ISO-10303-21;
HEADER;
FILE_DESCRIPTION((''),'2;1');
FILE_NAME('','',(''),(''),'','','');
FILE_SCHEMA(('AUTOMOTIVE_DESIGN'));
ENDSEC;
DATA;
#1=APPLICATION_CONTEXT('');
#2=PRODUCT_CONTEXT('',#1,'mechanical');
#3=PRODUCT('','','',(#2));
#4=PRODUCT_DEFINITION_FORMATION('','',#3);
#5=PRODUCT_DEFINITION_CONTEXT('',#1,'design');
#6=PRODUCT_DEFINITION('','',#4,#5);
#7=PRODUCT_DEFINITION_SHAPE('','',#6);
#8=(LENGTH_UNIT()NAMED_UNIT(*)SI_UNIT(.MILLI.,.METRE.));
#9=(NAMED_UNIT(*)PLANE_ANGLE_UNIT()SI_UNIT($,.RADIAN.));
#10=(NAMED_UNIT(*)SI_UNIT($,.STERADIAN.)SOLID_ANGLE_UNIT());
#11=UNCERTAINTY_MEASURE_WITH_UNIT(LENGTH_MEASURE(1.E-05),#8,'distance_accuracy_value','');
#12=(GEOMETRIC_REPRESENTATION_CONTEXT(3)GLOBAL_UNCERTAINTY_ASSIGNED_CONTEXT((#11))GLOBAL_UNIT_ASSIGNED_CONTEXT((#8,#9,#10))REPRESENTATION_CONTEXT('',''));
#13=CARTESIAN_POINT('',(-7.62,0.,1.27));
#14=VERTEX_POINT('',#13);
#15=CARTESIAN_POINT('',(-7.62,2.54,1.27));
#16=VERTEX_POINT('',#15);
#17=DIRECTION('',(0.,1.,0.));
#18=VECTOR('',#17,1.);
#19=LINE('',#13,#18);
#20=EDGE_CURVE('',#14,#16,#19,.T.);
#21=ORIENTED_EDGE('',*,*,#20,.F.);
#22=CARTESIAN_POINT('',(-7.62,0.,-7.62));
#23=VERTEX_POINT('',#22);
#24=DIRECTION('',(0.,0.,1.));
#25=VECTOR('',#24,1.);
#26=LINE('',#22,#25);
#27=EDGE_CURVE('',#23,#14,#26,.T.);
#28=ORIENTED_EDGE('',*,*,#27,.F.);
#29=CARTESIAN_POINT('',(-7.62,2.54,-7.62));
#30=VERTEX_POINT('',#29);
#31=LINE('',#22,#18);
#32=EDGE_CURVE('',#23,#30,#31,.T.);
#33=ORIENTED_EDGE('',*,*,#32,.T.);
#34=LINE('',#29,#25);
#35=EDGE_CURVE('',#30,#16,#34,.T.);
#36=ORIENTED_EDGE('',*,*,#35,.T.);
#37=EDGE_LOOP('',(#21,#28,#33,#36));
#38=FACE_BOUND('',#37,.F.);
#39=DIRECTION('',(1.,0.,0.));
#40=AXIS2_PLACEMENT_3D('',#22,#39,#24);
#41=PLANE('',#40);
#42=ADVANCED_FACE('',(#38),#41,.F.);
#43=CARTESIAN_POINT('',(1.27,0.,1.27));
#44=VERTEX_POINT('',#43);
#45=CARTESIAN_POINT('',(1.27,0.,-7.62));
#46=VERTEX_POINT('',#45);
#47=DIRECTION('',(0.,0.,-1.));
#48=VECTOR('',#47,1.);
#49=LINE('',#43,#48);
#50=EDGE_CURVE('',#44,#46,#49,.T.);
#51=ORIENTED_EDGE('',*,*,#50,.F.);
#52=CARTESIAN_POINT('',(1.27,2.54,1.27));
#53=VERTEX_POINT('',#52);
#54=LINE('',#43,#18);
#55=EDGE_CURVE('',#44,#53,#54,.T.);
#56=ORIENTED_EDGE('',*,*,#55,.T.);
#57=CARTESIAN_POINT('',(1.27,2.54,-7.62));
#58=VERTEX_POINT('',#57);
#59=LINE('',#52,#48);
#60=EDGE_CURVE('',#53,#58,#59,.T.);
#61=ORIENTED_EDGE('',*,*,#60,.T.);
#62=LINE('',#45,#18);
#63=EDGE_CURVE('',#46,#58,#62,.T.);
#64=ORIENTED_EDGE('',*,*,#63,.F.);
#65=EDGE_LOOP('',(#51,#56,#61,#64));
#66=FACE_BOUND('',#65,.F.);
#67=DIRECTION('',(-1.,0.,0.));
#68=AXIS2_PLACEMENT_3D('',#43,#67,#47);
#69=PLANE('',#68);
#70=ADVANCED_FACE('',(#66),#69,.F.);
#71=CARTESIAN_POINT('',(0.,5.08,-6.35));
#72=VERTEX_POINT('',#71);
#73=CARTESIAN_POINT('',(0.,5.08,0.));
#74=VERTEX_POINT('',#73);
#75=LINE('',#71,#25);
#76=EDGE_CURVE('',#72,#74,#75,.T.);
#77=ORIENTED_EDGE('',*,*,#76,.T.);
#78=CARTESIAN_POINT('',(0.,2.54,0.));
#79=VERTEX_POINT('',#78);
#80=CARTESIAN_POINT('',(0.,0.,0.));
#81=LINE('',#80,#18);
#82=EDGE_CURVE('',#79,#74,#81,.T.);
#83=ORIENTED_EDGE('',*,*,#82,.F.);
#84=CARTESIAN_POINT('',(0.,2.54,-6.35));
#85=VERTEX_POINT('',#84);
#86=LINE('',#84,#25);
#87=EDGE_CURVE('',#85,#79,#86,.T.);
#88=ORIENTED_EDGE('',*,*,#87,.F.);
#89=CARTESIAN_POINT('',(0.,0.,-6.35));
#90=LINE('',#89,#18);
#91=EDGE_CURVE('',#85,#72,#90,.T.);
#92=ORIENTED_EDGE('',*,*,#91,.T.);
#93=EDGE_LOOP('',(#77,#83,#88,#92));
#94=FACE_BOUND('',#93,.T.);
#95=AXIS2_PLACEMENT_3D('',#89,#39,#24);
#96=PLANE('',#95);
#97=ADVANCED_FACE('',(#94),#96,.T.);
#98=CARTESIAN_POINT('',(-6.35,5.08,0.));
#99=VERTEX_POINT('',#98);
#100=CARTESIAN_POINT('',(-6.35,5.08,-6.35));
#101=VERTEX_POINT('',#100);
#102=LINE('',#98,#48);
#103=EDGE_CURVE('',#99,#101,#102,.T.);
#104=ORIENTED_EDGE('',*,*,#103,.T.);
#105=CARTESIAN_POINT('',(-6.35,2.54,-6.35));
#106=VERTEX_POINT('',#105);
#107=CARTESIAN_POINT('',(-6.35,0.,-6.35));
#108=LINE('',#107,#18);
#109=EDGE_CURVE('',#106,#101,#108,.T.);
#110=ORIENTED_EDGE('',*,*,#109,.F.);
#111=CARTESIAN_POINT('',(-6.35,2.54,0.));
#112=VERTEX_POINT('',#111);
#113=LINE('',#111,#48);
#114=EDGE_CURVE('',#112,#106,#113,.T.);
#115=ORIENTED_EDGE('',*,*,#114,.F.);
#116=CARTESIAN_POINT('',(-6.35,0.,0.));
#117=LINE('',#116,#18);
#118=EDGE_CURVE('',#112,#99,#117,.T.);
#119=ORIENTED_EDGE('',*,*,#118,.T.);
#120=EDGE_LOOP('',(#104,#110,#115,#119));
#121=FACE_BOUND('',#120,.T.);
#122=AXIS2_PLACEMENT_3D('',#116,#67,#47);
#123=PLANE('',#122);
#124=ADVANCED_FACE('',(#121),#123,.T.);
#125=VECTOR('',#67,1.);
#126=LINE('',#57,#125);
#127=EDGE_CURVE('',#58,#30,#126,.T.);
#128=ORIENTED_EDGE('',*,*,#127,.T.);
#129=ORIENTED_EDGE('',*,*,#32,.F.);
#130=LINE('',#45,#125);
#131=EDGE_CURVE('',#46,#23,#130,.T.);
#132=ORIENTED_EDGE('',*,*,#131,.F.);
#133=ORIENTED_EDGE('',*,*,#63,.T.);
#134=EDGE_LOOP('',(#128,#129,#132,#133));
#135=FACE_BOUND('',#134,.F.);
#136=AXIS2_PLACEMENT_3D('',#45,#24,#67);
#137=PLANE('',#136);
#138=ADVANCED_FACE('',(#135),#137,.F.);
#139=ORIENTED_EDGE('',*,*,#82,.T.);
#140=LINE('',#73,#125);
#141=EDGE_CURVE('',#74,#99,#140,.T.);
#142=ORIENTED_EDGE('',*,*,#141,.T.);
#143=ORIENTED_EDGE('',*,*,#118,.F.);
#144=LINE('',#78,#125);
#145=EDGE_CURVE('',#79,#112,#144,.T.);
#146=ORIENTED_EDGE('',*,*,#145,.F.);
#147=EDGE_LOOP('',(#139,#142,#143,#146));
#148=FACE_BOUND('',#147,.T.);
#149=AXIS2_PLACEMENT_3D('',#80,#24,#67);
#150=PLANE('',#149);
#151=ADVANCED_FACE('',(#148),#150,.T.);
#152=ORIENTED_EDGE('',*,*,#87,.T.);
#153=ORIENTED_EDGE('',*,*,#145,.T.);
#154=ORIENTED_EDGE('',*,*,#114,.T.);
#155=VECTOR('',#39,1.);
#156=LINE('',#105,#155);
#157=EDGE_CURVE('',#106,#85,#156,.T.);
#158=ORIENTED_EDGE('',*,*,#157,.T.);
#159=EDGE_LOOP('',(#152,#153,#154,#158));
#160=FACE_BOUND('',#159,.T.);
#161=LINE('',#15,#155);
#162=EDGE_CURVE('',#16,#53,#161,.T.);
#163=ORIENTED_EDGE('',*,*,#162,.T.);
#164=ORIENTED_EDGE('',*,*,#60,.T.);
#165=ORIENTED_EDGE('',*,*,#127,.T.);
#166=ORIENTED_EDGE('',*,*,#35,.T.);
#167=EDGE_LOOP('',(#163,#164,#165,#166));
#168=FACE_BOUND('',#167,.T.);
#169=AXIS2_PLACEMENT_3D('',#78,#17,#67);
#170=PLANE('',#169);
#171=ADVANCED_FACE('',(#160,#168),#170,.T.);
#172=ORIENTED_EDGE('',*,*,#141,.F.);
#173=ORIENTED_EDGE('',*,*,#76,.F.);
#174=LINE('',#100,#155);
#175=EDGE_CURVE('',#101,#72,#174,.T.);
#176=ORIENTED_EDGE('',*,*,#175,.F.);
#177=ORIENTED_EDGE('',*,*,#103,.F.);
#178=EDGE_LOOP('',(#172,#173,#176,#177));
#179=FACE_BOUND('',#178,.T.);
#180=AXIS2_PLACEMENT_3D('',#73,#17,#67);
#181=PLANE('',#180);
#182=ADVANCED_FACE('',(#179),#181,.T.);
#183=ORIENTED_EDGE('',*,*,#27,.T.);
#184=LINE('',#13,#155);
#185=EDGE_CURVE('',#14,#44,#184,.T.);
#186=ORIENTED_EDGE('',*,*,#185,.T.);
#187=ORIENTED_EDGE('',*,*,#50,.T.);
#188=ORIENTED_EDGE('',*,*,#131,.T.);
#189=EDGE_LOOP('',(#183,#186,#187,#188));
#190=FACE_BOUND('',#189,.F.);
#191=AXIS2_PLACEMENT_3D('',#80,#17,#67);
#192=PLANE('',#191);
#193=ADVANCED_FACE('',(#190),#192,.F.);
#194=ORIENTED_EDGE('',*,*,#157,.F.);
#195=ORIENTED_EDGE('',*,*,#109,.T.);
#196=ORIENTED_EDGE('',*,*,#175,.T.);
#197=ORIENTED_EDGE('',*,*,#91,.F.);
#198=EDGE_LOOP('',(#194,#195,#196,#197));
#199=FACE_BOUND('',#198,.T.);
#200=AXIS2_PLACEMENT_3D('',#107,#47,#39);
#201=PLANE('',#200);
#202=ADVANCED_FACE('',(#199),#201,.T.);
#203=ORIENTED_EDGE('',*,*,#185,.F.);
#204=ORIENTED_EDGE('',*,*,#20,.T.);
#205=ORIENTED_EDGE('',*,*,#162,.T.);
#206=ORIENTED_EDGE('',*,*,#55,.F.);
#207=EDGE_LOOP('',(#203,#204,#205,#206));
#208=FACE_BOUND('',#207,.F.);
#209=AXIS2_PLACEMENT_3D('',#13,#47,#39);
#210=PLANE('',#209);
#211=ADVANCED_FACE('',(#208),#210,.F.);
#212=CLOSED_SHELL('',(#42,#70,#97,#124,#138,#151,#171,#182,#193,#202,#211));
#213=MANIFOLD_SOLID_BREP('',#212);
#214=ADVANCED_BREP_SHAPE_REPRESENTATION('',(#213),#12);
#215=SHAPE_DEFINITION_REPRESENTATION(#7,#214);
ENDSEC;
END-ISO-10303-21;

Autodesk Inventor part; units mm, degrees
ref_plane "YZ Plane" through (0, 0, 0) normal (1, 0, 0) x (0, 1, 0)
ref_plane "XZ Plane" through (0, 0, 0) normal (0, 1, 0) x (-1, 0, 0)
ref_plane "XY Plane" through (0, 0, 0) normal (0, 0, 1) x (1, 0, 0)
sketch "Sketch1" plane through (0, 0, 0) normal (0, 1, 0) x (-1, 0, 0)
  line L0 (0, 0) -> (6.35, 0)
  line L1 (6.35, 0) -> (6.35, -6.35)
  line L2 (6.35, -6.35) -> (0, -6.35)
  line L3 (0, -6.35) -> (0, 0)
  line L4 (7.62, -7.62) -> (7.62, 1.27)
  line L5 (7.62, 1.27) -> (-1.27, 1.27)
  line L6 (-1.27, 1.27) -> (-1.27, -7.62)
  line L7 (-1.27, -7.62) -> (7.62, -7.62)
  dimension "d0" = 6.35
  dimension "d1" = 6.35
  dimension "d2" = 1.27
extrude "Extrusion1" add sketch "Sketch1" along normal blind 5.08 contours L0 L1 L2 L3
extrude "Extrusion2" add sketch "Sketch1" along normal blind 2.54
properties part number "LED"
